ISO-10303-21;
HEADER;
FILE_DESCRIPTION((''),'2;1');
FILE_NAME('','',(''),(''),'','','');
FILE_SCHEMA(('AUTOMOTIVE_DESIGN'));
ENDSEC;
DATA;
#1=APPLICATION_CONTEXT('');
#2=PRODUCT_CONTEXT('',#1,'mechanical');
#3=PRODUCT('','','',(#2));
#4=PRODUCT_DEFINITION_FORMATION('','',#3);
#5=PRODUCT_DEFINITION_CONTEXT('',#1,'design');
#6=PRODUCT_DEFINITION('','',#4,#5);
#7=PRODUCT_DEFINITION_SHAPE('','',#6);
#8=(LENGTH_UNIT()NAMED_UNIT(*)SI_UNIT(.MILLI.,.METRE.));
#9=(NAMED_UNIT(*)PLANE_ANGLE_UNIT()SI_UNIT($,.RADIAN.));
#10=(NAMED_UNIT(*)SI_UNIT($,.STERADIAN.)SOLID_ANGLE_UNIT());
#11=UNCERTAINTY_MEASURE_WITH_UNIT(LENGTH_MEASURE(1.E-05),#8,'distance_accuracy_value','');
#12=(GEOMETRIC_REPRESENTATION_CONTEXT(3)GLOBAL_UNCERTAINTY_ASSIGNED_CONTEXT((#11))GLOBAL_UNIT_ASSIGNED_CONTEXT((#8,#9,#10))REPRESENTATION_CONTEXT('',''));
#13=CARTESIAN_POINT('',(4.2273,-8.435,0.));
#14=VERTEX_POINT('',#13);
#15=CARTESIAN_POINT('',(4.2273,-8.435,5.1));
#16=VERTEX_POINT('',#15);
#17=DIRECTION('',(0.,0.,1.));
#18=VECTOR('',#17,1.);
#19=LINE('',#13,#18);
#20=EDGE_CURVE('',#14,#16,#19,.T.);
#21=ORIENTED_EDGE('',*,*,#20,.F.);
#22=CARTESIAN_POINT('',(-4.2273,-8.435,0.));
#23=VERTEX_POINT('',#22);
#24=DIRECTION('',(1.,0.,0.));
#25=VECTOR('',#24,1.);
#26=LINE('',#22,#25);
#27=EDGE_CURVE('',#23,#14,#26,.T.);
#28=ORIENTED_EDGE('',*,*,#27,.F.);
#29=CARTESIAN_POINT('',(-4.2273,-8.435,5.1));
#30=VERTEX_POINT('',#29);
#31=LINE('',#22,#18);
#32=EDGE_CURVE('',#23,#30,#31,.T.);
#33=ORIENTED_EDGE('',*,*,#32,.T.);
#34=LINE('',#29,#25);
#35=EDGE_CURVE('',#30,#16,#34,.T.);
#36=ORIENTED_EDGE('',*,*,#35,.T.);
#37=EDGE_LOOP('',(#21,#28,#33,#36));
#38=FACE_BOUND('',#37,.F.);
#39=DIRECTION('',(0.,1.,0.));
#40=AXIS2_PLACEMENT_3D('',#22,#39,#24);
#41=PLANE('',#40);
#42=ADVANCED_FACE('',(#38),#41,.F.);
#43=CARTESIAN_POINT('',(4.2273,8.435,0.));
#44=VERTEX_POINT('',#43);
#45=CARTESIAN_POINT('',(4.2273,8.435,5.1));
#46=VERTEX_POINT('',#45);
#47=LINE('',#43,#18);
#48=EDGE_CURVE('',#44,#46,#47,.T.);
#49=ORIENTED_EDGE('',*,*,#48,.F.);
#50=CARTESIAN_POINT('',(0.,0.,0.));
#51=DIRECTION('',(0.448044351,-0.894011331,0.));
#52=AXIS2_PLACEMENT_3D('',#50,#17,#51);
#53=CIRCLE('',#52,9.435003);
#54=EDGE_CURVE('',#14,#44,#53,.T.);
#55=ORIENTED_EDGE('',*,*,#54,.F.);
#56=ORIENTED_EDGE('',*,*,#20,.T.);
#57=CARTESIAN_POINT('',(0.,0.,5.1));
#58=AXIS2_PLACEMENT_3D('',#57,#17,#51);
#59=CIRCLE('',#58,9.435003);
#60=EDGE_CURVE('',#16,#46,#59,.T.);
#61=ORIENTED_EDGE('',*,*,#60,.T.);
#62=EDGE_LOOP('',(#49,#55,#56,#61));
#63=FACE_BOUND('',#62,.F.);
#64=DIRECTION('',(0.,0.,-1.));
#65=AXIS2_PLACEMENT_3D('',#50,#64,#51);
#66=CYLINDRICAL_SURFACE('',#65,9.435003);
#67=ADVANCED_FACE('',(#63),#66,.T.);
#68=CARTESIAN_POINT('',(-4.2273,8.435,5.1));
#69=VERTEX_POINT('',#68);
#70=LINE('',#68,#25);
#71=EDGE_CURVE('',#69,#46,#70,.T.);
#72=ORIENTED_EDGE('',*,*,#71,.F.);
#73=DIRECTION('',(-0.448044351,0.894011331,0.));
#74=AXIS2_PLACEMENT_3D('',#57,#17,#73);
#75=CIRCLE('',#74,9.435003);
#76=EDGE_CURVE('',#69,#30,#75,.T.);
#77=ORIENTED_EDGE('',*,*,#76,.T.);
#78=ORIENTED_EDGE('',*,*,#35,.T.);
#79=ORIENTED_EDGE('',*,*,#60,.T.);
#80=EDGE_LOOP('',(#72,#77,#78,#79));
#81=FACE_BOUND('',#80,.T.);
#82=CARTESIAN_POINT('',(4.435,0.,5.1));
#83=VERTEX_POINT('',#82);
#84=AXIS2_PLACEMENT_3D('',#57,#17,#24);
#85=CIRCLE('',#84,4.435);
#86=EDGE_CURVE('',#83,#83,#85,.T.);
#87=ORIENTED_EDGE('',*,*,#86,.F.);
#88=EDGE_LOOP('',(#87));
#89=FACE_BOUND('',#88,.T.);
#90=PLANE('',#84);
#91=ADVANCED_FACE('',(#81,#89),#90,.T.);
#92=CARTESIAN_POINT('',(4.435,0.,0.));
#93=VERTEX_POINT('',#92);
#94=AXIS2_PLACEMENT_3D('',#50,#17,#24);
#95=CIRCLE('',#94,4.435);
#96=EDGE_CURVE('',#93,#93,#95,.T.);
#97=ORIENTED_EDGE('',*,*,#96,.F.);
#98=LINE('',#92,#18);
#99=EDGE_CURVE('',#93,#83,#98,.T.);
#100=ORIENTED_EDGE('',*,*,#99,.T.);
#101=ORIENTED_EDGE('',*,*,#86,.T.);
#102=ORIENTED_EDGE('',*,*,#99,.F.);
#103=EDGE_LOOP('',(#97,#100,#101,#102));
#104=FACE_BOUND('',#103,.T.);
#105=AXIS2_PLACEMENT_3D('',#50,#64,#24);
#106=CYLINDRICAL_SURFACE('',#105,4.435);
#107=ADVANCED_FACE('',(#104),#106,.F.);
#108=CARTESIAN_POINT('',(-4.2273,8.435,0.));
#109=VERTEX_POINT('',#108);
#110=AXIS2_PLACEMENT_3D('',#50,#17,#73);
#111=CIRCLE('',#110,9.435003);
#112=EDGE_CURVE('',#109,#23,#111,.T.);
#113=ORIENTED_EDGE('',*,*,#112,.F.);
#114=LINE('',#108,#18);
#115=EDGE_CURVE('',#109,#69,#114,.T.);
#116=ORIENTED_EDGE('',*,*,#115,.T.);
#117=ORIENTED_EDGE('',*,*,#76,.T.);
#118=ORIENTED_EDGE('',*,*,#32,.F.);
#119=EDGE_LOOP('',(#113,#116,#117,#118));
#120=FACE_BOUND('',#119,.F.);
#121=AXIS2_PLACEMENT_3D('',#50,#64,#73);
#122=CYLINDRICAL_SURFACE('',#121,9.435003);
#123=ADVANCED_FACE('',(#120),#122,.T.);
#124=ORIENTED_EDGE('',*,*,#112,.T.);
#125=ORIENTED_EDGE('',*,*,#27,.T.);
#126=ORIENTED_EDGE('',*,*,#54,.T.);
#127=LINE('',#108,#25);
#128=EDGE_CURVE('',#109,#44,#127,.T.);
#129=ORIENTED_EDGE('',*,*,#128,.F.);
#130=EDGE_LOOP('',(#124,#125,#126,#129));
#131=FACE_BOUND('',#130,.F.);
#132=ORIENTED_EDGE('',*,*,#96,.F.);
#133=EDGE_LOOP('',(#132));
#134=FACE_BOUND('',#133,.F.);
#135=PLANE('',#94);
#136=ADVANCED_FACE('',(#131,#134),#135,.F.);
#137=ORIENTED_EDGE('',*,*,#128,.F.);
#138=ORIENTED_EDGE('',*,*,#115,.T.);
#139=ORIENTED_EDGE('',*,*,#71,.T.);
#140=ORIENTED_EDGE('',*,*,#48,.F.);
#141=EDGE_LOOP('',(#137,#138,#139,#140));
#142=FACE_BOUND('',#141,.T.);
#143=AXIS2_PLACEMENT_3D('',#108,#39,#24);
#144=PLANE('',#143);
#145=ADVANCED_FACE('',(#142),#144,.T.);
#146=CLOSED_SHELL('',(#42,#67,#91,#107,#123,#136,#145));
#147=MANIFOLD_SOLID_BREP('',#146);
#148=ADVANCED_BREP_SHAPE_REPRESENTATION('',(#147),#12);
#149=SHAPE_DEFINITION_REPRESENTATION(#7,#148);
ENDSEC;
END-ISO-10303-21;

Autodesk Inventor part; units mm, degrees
ref_plane "YZ Plane" through (0, 0, 0) normal (1, 0, 0) x (0, 1, 0)
ref_plane "XZ Plane" through (0, 0, 0) normal (0, 1, 0) x (-1, 0, 0)
ref_plane "XY Plane" through (0, 0, 0) normal (0, 0, 1) x (1, 0, 0)
sketch "Sketch1" plane through (0, 0, 0) normal (0, 0, 1) x (1, 0, 0)
  circle A0 centre (0, 0) radius 4.435
  line L0 (-4.2273, 8.435) -> (4.2273, 8.435)
  line L1 (-4.2273, -8.435) -> (4.2273, -8.435)
  arc A1 (-4.2273, 8.435) -> (-4.2273, -8.435) centre (0, 0) ccw
  arc A2 (4.2273, -8.435) -> (4.2273, 8.435) centre (0, 0) ccw
  dimension "d0" = 8.87
  dimension "d2" = 16.87
  dimension "d3" = 8.435
extrude "Extrusion1" add sketch "Sketch1" along normal blind 5.1
thread "Thread1" size "M9x1.25" class "6H" standard "ANSI Metric M Profile" full length
equation "\"d3\" = 0.5 * d2"
properties part number "BallBearingConeLockNut"
